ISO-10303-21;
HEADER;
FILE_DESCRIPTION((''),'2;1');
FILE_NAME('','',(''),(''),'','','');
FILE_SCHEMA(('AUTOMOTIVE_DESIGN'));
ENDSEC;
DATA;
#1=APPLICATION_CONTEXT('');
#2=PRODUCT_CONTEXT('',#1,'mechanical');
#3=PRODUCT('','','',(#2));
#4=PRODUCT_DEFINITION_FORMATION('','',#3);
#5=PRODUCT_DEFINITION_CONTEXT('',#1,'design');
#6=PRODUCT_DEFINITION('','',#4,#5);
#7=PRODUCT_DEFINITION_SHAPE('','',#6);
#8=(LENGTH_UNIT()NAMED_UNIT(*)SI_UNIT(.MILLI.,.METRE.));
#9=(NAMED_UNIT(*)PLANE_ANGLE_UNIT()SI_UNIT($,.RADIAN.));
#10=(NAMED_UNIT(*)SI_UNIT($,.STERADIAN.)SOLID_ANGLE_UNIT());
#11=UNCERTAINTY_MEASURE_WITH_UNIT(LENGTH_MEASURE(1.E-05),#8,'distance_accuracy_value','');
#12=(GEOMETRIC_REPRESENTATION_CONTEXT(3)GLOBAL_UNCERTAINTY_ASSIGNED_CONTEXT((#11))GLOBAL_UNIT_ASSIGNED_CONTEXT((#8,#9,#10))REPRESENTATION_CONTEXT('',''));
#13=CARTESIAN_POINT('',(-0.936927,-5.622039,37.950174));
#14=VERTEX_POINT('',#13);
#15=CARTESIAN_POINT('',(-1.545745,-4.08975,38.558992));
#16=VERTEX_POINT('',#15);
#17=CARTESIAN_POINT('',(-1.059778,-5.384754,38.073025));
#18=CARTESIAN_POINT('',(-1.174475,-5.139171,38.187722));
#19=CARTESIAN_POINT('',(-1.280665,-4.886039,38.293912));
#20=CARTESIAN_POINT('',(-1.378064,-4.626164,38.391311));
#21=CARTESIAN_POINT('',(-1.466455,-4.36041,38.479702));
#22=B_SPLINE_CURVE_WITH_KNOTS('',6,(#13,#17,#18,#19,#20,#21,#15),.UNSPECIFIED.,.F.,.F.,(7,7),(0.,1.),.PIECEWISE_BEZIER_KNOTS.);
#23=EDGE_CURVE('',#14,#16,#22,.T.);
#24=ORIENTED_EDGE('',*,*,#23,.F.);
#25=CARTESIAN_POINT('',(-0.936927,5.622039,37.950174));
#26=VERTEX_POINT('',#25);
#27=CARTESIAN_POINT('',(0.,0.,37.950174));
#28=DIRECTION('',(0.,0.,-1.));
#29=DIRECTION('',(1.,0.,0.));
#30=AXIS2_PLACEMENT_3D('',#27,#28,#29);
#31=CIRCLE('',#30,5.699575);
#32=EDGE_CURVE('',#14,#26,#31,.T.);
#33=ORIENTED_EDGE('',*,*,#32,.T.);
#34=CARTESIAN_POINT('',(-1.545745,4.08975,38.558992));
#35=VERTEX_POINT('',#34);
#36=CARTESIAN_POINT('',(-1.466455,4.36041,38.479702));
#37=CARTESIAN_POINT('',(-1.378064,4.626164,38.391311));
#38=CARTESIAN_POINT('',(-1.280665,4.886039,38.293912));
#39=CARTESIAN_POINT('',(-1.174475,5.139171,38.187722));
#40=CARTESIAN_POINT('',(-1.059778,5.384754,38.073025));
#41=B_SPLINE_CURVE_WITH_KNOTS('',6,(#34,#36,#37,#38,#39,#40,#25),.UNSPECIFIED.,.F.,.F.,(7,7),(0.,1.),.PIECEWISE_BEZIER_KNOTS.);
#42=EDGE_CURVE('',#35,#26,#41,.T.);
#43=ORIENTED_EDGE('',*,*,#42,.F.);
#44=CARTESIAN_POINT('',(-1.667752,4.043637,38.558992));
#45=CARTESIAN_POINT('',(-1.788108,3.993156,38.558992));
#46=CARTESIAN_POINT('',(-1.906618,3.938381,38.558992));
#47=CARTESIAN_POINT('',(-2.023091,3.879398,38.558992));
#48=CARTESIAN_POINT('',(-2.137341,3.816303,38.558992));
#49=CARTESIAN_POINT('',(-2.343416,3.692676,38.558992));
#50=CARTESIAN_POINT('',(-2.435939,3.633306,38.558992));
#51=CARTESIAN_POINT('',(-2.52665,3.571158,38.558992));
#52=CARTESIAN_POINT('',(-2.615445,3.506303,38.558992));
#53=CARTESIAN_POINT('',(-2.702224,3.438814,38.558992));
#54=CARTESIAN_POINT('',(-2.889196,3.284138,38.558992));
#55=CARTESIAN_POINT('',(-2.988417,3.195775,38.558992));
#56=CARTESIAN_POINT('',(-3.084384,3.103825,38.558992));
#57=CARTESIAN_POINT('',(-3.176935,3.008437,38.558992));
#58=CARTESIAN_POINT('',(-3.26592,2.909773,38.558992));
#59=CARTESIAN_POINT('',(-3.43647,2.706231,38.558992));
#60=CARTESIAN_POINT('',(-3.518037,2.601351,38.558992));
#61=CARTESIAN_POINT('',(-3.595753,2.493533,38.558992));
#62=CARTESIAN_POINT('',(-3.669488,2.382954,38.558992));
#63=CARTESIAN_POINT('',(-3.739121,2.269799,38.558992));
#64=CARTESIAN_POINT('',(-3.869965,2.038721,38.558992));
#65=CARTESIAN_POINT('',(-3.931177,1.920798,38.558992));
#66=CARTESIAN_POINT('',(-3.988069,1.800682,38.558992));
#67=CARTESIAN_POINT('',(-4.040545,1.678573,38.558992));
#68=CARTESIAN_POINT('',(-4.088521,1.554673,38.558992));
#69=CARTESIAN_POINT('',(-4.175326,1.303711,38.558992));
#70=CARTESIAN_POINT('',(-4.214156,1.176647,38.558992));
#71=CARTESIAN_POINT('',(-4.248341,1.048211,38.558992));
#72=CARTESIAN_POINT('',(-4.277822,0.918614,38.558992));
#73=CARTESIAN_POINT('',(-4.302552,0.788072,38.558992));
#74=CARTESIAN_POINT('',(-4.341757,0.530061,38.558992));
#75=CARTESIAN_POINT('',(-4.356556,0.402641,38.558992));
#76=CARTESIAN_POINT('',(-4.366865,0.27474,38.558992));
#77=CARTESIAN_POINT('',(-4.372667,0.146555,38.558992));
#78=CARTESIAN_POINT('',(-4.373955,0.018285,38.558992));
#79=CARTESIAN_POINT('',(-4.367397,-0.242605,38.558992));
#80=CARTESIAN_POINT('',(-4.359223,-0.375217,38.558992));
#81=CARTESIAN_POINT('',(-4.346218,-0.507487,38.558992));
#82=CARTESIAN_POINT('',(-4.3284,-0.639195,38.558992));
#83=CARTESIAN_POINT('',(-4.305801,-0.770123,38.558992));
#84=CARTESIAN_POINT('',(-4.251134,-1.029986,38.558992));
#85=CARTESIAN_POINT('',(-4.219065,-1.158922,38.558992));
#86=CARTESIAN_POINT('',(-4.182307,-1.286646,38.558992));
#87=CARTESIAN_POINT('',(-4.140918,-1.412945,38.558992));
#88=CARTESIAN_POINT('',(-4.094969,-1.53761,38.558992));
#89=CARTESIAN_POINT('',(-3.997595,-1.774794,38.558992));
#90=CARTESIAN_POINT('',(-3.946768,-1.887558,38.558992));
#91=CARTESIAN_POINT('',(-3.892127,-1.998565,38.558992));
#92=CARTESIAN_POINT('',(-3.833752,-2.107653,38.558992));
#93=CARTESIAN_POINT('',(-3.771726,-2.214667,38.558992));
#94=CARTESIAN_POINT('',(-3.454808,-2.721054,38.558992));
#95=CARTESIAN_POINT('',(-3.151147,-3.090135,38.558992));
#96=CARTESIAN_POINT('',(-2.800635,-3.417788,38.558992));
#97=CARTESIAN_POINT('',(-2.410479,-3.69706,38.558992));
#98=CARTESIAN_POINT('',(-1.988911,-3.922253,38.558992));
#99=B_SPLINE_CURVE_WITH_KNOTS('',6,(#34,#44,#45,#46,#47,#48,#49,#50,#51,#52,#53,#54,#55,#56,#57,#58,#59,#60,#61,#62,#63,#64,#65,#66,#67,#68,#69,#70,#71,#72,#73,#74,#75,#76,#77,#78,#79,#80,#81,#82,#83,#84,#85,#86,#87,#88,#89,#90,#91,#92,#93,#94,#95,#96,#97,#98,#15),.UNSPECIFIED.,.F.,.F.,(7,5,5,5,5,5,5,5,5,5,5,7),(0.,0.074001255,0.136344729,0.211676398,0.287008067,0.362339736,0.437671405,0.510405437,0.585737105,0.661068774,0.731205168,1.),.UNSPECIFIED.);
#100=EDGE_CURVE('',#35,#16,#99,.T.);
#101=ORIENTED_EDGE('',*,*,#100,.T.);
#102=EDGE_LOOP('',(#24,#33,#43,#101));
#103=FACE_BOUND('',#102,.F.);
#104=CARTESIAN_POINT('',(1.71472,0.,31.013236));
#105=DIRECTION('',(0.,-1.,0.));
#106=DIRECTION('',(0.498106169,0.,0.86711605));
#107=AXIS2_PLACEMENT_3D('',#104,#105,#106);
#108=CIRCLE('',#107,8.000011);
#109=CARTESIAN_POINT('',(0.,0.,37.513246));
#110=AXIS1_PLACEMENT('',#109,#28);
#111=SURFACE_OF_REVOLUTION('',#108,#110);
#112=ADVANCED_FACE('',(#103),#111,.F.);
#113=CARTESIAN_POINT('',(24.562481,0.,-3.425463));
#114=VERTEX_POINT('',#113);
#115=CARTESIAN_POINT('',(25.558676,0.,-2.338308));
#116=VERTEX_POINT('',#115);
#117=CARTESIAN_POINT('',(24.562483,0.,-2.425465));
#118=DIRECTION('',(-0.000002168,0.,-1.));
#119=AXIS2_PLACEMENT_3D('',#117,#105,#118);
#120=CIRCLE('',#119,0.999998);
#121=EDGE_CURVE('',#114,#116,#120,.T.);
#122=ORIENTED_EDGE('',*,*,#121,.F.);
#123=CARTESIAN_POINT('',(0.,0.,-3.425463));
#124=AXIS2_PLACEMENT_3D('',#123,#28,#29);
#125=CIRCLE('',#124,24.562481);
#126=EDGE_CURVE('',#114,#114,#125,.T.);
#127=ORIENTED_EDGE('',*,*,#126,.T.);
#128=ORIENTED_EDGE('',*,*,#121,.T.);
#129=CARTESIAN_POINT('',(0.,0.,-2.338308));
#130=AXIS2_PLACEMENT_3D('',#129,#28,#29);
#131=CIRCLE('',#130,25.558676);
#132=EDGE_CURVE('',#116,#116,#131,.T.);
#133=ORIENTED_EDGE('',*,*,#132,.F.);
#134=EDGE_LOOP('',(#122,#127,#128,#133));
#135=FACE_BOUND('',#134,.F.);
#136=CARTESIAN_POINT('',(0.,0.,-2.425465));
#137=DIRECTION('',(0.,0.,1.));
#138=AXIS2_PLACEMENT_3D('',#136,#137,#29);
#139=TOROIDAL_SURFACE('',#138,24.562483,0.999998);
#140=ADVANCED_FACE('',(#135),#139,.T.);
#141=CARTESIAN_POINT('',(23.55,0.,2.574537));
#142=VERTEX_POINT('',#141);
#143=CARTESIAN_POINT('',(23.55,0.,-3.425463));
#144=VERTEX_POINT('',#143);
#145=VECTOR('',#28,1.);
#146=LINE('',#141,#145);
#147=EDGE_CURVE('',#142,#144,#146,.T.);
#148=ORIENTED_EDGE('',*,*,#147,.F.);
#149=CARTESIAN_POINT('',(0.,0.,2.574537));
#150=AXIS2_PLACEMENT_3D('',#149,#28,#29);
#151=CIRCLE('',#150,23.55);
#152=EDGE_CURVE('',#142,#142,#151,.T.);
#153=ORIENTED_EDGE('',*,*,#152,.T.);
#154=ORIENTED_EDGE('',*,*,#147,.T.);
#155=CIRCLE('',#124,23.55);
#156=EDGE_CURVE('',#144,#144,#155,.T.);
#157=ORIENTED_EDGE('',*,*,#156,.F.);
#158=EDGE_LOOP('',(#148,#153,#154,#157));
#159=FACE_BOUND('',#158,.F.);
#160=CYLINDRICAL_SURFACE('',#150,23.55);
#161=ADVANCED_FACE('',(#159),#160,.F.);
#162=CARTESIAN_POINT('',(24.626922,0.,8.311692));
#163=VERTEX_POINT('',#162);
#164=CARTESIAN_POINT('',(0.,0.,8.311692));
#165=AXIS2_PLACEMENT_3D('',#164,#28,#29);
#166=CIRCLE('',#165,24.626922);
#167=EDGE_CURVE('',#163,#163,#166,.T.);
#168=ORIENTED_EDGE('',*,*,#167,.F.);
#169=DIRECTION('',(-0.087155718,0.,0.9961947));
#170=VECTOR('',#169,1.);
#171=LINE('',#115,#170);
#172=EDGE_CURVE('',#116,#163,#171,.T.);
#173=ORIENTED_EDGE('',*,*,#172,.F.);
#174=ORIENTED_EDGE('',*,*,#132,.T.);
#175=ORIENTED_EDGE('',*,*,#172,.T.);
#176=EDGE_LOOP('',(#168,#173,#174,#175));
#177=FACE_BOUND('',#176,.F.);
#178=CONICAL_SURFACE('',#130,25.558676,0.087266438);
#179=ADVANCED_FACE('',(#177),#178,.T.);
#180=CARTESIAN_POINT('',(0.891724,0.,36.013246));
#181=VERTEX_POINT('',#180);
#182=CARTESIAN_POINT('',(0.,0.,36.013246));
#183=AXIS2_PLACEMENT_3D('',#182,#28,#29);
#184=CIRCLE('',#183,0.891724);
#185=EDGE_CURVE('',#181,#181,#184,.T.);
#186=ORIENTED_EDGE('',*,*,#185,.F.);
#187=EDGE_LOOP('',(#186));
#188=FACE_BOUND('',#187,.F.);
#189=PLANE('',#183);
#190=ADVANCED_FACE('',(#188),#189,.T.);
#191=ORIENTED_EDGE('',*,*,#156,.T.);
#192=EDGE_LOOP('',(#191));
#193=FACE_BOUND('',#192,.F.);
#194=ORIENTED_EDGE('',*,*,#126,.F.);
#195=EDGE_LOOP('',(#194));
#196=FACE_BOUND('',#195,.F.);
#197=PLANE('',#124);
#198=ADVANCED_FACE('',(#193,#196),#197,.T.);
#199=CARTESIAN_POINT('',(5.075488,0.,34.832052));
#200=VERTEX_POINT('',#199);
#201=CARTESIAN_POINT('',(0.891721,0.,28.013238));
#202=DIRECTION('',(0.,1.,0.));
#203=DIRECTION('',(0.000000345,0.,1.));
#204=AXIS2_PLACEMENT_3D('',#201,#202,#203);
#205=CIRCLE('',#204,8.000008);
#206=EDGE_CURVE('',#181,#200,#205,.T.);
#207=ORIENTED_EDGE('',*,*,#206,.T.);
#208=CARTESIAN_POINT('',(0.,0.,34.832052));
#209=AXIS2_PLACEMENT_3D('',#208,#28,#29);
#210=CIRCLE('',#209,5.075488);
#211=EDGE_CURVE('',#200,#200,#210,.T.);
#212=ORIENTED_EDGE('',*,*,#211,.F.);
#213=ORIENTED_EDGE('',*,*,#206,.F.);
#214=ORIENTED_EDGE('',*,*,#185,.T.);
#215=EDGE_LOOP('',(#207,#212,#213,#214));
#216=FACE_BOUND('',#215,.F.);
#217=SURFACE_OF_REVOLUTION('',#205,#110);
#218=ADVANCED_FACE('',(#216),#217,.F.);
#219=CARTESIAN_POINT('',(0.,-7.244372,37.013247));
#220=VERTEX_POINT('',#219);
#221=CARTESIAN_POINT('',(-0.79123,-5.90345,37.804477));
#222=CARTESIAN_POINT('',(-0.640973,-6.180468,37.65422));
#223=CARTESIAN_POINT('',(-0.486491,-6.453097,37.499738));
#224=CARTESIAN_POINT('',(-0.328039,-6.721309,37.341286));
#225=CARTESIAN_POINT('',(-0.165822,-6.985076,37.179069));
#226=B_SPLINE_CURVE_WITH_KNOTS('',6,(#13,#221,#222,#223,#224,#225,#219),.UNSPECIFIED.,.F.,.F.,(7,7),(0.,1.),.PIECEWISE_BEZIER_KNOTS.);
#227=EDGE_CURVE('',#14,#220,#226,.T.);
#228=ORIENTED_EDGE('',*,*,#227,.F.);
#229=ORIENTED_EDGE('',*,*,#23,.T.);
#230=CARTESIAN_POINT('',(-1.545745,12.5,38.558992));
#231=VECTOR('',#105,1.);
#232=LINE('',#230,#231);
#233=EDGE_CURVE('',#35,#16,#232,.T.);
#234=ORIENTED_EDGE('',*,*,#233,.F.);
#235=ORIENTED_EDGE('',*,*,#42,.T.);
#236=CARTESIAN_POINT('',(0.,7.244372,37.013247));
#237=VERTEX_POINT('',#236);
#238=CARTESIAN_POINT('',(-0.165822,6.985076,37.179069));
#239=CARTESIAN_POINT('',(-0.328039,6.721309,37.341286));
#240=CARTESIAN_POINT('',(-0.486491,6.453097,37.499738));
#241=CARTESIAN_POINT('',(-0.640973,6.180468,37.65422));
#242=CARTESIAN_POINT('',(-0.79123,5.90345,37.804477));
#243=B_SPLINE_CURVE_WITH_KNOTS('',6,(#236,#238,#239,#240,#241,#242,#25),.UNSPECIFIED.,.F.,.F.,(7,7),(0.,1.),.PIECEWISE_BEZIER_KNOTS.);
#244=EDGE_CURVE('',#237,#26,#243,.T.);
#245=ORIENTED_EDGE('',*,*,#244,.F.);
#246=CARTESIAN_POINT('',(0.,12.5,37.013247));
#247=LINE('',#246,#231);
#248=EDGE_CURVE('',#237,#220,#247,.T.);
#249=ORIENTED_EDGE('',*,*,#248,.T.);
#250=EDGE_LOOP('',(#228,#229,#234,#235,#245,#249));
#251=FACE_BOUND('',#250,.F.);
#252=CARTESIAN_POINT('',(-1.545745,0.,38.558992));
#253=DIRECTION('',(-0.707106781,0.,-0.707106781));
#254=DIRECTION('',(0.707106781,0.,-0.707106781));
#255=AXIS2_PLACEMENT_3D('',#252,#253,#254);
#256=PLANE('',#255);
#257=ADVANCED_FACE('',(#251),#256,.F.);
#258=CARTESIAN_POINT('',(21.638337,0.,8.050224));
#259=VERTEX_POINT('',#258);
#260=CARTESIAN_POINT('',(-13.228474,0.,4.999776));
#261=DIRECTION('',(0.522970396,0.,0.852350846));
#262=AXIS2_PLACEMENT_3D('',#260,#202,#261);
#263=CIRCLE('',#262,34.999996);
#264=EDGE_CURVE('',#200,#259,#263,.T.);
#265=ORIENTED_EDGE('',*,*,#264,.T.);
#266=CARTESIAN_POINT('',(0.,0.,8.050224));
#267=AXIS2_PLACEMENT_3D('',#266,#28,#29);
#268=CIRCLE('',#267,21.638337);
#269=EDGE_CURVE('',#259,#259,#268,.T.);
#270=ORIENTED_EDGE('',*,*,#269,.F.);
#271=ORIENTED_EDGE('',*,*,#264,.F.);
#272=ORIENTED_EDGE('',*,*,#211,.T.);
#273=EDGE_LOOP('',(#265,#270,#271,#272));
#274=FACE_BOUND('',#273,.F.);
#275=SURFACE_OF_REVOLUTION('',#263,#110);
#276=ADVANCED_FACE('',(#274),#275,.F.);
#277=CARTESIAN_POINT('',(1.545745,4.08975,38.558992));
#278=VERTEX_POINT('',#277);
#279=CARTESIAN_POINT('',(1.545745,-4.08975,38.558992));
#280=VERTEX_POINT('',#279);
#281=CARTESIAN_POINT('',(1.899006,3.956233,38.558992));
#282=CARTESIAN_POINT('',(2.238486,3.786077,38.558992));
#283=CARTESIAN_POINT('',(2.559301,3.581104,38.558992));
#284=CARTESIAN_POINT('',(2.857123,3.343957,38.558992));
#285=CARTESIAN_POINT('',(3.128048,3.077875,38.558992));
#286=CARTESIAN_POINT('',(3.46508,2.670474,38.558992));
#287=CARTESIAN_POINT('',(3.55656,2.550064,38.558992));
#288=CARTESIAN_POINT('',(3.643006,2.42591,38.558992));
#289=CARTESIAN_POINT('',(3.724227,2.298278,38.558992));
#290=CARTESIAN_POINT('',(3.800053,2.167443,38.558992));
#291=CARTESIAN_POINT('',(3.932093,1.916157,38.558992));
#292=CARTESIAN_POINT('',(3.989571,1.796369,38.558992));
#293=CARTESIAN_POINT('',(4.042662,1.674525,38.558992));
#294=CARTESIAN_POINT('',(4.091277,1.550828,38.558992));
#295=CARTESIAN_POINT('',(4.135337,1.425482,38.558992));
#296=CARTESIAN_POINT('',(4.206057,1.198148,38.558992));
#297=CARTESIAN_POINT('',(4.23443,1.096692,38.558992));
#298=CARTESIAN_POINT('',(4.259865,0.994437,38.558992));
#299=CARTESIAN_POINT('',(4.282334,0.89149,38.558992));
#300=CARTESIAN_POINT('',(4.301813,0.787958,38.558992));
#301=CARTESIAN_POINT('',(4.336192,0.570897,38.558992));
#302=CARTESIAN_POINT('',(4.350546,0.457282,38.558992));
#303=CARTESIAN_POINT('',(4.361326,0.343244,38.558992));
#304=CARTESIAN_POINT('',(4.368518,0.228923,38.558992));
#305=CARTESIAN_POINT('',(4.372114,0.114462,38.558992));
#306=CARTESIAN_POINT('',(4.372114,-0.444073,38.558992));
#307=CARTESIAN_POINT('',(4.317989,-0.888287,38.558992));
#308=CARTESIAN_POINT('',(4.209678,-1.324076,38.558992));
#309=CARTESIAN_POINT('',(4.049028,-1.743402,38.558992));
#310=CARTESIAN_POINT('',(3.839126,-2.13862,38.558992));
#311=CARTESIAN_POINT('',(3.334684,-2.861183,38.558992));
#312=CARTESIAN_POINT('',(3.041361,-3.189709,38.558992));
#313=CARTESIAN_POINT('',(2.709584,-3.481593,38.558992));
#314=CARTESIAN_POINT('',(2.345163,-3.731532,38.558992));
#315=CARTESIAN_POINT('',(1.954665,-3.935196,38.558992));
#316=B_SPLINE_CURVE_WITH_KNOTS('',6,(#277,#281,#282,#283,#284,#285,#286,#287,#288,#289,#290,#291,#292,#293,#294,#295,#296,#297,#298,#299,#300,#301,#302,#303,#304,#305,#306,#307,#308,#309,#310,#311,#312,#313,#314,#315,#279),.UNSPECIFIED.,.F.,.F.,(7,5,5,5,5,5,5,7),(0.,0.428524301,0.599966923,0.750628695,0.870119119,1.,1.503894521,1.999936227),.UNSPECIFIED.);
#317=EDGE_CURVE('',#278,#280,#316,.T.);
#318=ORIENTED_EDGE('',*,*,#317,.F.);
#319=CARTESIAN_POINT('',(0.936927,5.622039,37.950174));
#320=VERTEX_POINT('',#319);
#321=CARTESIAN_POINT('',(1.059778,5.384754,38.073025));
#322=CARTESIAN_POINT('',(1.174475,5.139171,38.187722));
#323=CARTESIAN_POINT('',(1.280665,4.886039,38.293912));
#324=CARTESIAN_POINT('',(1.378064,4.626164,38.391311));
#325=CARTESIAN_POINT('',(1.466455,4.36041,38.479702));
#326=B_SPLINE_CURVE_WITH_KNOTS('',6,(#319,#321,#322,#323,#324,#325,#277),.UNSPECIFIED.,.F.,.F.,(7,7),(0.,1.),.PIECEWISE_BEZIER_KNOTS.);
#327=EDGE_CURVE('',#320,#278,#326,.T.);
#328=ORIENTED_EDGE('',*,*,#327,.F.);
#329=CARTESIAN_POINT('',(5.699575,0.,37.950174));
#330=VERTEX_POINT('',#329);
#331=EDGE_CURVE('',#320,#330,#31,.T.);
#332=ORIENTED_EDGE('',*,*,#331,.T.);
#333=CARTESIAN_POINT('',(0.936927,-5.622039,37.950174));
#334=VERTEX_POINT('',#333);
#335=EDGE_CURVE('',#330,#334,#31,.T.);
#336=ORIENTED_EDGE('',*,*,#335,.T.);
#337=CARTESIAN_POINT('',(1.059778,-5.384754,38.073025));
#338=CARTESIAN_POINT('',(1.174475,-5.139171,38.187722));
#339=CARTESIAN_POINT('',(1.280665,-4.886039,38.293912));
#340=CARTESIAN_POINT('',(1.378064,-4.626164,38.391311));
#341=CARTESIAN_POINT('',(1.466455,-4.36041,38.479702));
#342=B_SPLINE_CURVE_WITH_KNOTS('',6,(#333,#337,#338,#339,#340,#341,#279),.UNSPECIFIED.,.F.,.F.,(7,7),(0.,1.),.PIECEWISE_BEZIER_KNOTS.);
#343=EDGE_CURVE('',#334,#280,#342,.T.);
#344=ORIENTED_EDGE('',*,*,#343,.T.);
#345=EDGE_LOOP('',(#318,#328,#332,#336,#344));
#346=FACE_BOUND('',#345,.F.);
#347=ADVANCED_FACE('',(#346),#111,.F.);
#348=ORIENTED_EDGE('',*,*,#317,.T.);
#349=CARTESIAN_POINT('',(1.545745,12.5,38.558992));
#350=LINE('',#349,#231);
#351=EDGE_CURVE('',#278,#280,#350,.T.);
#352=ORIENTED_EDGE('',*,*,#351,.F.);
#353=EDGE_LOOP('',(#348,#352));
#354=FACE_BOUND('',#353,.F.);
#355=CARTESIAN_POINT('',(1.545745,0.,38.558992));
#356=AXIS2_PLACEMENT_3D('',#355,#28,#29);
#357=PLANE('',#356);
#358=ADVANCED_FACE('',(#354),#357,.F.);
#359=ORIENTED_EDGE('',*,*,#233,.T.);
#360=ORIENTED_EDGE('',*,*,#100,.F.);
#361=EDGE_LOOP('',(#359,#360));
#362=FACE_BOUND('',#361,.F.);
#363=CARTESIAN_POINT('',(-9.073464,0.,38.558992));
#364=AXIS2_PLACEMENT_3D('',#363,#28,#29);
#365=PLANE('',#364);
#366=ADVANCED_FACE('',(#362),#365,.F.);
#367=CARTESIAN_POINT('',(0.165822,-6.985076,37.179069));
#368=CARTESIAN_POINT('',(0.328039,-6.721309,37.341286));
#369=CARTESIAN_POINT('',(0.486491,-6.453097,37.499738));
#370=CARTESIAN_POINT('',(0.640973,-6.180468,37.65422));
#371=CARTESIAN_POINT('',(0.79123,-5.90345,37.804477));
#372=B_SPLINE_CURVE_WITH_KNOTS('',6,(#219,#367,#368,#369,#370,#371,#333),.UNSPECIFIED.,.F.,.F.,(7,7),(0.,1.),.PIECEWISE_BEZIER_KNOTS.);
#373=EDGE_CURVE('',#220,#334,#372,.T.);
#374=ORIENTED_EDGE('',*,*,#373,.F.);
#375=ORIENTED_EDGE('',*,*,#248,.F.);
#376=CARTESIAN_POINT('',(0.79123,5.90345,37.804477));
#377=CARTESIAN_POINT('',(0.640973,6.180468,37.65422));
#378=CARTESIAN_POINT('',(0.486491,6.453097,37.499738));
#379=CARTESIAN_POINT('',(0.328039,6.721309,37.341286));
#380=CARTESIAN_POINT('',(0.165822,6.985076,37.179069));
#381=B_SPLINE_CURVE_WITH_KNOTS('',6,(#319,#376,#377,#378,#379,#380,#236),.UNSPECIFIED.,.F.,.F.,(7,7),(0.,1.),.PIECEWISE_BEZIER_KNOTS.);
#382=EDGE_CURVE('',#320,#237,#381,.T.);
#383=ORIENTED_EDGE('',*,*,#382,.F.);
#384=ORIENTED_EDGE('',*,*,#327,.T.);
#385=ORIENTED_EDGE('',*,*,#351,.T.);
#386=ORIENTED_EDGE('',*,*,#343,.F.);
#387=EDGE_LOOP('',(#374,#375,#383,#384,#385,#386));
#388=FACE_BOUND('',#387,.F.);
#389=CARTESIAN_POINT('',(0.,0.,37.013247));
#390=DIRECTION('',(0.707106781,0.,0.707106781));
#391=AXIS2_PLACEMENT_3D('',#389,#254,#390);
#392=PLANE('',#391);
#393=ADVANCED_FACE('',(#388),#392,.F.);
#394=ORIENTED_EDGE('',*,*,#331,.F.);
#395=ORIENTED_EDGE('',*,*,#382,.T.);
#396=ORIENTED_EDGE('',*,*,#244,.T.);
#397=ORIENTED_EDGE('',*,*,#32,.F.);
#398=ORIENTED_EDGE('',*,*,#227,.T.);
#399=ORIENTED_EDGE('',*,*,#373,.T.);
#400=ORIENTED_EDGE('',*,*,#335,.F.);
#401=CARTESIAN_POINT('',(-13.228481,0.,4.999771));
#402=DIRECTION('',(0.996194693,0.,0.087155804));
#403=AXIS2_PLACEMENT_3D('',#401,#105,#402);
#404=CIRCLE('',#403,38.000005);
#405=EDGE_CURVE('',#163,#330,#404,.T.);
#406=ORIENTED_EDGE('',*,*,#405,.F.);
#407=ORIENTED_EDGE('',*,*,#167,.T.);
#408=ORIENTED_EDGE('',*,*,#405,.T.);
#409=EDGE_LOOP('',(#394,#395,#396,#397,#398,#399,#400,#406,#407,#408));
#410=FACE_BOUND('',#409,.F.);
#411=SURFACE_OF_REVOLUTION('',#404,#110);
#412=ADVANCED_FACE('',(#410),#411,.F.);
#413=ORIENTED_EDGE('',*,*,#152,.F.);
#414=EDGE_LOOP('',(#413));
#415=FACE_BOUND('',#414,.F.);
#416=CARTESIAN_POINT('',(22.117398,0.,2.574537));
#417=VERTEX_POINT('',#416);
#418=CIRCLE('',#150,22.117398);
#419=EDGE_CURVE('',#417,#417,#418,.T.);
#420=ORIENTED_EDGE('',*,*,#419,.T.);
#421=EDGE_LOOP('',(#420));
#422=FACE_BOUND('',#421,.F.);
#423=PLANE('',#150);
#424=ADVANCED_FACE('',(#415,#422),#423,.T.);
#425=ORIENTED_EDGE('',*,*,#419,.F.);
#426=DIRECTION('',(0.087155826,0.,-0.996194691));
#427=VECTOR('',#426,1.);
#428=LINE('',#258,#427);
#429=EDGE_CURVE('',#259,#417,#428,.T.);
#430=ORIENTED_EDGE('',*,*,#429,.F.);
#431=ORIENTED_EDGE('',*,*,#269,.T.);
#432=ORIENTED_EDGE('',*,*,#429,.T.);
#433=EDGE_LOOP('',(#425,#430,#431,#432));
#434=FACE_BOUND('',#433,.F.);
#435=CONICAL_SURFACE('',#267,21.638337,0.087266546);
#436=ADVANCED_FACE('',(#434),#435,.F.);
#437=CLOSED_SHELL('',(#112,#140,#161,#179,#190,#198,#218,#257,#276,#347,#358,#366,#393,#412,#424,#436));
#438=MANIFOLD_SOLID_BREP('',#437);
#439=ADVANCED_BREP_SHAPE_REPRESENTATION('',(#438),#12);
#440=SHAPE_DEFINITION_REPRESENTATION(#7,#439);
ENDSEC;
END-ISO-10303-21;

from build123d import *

# Parameters (mm, degrees)
F3_DEPTH = 12.5


with BuildPart() as f1:
    # F0 (on Front) → F1 (revolve)
    with BuildSketch(Plane.XZ):
        with BuildLine():
            ThreePointArc((5.075488, 34.832052), (16.538947, 23.409023), (21.638337, 8.050224))
            Line((21.638337, 8.050224), (22.117398, 2.574537))
            Line((22.117398, 2.574537), (23.55, 2.574537))
            Line((23.55, 2.574537), (23.55, -3.425463))
            Line((23.55, -3.425463), (24.562481, -3.425463))
            ThreePointArc((24.562481, -3.425463), (25.299759, -3.101054), (25.558676, -2.338308))
            Line((25.558676, -2.338308), (24.626922, 8.311692))
            ThreePointArc((24.626922, 8.311692), (18.798074, 25.452158), (5.699575, 37.950174))
            ThreePointArc((5.699575, 37.950174), (3.776831, 38.742911), (1.714722, 39.013247))
            Line((1.714722, 39.013247), (0, 39.013247))
            Line((0, 39.013247), (0, 36.013246))
            Line((0, 36.013246), (0.891724, 36.013246))
            ThreePointArc((0.891724, 36.013246), (3.065379, 35.712286), (5.075488, 34.832052))
        make_face()
    revolve(axis=Axis((0, 0, 37.513246), (0, 0, -1)))

    # F2 (on Front) → F3 (cut, symmetric)
    with BuildSketch(Plane.XZ):
        Polygon((-9.073464, 38.558992), (-1.545745, 38.558992), (0, 37.013247), (1.545745, 38.558992), (9.073464, 38.558992), (9.073464, 40.632625), (3.619377, 40.632625), (-3.619377, 40.632625), (-9.073464, 40.632625), align=None)
    extrude(amount=F3_DEPTH, both=True, mode=Mode.SUBTRACT)


solid = f1.part
